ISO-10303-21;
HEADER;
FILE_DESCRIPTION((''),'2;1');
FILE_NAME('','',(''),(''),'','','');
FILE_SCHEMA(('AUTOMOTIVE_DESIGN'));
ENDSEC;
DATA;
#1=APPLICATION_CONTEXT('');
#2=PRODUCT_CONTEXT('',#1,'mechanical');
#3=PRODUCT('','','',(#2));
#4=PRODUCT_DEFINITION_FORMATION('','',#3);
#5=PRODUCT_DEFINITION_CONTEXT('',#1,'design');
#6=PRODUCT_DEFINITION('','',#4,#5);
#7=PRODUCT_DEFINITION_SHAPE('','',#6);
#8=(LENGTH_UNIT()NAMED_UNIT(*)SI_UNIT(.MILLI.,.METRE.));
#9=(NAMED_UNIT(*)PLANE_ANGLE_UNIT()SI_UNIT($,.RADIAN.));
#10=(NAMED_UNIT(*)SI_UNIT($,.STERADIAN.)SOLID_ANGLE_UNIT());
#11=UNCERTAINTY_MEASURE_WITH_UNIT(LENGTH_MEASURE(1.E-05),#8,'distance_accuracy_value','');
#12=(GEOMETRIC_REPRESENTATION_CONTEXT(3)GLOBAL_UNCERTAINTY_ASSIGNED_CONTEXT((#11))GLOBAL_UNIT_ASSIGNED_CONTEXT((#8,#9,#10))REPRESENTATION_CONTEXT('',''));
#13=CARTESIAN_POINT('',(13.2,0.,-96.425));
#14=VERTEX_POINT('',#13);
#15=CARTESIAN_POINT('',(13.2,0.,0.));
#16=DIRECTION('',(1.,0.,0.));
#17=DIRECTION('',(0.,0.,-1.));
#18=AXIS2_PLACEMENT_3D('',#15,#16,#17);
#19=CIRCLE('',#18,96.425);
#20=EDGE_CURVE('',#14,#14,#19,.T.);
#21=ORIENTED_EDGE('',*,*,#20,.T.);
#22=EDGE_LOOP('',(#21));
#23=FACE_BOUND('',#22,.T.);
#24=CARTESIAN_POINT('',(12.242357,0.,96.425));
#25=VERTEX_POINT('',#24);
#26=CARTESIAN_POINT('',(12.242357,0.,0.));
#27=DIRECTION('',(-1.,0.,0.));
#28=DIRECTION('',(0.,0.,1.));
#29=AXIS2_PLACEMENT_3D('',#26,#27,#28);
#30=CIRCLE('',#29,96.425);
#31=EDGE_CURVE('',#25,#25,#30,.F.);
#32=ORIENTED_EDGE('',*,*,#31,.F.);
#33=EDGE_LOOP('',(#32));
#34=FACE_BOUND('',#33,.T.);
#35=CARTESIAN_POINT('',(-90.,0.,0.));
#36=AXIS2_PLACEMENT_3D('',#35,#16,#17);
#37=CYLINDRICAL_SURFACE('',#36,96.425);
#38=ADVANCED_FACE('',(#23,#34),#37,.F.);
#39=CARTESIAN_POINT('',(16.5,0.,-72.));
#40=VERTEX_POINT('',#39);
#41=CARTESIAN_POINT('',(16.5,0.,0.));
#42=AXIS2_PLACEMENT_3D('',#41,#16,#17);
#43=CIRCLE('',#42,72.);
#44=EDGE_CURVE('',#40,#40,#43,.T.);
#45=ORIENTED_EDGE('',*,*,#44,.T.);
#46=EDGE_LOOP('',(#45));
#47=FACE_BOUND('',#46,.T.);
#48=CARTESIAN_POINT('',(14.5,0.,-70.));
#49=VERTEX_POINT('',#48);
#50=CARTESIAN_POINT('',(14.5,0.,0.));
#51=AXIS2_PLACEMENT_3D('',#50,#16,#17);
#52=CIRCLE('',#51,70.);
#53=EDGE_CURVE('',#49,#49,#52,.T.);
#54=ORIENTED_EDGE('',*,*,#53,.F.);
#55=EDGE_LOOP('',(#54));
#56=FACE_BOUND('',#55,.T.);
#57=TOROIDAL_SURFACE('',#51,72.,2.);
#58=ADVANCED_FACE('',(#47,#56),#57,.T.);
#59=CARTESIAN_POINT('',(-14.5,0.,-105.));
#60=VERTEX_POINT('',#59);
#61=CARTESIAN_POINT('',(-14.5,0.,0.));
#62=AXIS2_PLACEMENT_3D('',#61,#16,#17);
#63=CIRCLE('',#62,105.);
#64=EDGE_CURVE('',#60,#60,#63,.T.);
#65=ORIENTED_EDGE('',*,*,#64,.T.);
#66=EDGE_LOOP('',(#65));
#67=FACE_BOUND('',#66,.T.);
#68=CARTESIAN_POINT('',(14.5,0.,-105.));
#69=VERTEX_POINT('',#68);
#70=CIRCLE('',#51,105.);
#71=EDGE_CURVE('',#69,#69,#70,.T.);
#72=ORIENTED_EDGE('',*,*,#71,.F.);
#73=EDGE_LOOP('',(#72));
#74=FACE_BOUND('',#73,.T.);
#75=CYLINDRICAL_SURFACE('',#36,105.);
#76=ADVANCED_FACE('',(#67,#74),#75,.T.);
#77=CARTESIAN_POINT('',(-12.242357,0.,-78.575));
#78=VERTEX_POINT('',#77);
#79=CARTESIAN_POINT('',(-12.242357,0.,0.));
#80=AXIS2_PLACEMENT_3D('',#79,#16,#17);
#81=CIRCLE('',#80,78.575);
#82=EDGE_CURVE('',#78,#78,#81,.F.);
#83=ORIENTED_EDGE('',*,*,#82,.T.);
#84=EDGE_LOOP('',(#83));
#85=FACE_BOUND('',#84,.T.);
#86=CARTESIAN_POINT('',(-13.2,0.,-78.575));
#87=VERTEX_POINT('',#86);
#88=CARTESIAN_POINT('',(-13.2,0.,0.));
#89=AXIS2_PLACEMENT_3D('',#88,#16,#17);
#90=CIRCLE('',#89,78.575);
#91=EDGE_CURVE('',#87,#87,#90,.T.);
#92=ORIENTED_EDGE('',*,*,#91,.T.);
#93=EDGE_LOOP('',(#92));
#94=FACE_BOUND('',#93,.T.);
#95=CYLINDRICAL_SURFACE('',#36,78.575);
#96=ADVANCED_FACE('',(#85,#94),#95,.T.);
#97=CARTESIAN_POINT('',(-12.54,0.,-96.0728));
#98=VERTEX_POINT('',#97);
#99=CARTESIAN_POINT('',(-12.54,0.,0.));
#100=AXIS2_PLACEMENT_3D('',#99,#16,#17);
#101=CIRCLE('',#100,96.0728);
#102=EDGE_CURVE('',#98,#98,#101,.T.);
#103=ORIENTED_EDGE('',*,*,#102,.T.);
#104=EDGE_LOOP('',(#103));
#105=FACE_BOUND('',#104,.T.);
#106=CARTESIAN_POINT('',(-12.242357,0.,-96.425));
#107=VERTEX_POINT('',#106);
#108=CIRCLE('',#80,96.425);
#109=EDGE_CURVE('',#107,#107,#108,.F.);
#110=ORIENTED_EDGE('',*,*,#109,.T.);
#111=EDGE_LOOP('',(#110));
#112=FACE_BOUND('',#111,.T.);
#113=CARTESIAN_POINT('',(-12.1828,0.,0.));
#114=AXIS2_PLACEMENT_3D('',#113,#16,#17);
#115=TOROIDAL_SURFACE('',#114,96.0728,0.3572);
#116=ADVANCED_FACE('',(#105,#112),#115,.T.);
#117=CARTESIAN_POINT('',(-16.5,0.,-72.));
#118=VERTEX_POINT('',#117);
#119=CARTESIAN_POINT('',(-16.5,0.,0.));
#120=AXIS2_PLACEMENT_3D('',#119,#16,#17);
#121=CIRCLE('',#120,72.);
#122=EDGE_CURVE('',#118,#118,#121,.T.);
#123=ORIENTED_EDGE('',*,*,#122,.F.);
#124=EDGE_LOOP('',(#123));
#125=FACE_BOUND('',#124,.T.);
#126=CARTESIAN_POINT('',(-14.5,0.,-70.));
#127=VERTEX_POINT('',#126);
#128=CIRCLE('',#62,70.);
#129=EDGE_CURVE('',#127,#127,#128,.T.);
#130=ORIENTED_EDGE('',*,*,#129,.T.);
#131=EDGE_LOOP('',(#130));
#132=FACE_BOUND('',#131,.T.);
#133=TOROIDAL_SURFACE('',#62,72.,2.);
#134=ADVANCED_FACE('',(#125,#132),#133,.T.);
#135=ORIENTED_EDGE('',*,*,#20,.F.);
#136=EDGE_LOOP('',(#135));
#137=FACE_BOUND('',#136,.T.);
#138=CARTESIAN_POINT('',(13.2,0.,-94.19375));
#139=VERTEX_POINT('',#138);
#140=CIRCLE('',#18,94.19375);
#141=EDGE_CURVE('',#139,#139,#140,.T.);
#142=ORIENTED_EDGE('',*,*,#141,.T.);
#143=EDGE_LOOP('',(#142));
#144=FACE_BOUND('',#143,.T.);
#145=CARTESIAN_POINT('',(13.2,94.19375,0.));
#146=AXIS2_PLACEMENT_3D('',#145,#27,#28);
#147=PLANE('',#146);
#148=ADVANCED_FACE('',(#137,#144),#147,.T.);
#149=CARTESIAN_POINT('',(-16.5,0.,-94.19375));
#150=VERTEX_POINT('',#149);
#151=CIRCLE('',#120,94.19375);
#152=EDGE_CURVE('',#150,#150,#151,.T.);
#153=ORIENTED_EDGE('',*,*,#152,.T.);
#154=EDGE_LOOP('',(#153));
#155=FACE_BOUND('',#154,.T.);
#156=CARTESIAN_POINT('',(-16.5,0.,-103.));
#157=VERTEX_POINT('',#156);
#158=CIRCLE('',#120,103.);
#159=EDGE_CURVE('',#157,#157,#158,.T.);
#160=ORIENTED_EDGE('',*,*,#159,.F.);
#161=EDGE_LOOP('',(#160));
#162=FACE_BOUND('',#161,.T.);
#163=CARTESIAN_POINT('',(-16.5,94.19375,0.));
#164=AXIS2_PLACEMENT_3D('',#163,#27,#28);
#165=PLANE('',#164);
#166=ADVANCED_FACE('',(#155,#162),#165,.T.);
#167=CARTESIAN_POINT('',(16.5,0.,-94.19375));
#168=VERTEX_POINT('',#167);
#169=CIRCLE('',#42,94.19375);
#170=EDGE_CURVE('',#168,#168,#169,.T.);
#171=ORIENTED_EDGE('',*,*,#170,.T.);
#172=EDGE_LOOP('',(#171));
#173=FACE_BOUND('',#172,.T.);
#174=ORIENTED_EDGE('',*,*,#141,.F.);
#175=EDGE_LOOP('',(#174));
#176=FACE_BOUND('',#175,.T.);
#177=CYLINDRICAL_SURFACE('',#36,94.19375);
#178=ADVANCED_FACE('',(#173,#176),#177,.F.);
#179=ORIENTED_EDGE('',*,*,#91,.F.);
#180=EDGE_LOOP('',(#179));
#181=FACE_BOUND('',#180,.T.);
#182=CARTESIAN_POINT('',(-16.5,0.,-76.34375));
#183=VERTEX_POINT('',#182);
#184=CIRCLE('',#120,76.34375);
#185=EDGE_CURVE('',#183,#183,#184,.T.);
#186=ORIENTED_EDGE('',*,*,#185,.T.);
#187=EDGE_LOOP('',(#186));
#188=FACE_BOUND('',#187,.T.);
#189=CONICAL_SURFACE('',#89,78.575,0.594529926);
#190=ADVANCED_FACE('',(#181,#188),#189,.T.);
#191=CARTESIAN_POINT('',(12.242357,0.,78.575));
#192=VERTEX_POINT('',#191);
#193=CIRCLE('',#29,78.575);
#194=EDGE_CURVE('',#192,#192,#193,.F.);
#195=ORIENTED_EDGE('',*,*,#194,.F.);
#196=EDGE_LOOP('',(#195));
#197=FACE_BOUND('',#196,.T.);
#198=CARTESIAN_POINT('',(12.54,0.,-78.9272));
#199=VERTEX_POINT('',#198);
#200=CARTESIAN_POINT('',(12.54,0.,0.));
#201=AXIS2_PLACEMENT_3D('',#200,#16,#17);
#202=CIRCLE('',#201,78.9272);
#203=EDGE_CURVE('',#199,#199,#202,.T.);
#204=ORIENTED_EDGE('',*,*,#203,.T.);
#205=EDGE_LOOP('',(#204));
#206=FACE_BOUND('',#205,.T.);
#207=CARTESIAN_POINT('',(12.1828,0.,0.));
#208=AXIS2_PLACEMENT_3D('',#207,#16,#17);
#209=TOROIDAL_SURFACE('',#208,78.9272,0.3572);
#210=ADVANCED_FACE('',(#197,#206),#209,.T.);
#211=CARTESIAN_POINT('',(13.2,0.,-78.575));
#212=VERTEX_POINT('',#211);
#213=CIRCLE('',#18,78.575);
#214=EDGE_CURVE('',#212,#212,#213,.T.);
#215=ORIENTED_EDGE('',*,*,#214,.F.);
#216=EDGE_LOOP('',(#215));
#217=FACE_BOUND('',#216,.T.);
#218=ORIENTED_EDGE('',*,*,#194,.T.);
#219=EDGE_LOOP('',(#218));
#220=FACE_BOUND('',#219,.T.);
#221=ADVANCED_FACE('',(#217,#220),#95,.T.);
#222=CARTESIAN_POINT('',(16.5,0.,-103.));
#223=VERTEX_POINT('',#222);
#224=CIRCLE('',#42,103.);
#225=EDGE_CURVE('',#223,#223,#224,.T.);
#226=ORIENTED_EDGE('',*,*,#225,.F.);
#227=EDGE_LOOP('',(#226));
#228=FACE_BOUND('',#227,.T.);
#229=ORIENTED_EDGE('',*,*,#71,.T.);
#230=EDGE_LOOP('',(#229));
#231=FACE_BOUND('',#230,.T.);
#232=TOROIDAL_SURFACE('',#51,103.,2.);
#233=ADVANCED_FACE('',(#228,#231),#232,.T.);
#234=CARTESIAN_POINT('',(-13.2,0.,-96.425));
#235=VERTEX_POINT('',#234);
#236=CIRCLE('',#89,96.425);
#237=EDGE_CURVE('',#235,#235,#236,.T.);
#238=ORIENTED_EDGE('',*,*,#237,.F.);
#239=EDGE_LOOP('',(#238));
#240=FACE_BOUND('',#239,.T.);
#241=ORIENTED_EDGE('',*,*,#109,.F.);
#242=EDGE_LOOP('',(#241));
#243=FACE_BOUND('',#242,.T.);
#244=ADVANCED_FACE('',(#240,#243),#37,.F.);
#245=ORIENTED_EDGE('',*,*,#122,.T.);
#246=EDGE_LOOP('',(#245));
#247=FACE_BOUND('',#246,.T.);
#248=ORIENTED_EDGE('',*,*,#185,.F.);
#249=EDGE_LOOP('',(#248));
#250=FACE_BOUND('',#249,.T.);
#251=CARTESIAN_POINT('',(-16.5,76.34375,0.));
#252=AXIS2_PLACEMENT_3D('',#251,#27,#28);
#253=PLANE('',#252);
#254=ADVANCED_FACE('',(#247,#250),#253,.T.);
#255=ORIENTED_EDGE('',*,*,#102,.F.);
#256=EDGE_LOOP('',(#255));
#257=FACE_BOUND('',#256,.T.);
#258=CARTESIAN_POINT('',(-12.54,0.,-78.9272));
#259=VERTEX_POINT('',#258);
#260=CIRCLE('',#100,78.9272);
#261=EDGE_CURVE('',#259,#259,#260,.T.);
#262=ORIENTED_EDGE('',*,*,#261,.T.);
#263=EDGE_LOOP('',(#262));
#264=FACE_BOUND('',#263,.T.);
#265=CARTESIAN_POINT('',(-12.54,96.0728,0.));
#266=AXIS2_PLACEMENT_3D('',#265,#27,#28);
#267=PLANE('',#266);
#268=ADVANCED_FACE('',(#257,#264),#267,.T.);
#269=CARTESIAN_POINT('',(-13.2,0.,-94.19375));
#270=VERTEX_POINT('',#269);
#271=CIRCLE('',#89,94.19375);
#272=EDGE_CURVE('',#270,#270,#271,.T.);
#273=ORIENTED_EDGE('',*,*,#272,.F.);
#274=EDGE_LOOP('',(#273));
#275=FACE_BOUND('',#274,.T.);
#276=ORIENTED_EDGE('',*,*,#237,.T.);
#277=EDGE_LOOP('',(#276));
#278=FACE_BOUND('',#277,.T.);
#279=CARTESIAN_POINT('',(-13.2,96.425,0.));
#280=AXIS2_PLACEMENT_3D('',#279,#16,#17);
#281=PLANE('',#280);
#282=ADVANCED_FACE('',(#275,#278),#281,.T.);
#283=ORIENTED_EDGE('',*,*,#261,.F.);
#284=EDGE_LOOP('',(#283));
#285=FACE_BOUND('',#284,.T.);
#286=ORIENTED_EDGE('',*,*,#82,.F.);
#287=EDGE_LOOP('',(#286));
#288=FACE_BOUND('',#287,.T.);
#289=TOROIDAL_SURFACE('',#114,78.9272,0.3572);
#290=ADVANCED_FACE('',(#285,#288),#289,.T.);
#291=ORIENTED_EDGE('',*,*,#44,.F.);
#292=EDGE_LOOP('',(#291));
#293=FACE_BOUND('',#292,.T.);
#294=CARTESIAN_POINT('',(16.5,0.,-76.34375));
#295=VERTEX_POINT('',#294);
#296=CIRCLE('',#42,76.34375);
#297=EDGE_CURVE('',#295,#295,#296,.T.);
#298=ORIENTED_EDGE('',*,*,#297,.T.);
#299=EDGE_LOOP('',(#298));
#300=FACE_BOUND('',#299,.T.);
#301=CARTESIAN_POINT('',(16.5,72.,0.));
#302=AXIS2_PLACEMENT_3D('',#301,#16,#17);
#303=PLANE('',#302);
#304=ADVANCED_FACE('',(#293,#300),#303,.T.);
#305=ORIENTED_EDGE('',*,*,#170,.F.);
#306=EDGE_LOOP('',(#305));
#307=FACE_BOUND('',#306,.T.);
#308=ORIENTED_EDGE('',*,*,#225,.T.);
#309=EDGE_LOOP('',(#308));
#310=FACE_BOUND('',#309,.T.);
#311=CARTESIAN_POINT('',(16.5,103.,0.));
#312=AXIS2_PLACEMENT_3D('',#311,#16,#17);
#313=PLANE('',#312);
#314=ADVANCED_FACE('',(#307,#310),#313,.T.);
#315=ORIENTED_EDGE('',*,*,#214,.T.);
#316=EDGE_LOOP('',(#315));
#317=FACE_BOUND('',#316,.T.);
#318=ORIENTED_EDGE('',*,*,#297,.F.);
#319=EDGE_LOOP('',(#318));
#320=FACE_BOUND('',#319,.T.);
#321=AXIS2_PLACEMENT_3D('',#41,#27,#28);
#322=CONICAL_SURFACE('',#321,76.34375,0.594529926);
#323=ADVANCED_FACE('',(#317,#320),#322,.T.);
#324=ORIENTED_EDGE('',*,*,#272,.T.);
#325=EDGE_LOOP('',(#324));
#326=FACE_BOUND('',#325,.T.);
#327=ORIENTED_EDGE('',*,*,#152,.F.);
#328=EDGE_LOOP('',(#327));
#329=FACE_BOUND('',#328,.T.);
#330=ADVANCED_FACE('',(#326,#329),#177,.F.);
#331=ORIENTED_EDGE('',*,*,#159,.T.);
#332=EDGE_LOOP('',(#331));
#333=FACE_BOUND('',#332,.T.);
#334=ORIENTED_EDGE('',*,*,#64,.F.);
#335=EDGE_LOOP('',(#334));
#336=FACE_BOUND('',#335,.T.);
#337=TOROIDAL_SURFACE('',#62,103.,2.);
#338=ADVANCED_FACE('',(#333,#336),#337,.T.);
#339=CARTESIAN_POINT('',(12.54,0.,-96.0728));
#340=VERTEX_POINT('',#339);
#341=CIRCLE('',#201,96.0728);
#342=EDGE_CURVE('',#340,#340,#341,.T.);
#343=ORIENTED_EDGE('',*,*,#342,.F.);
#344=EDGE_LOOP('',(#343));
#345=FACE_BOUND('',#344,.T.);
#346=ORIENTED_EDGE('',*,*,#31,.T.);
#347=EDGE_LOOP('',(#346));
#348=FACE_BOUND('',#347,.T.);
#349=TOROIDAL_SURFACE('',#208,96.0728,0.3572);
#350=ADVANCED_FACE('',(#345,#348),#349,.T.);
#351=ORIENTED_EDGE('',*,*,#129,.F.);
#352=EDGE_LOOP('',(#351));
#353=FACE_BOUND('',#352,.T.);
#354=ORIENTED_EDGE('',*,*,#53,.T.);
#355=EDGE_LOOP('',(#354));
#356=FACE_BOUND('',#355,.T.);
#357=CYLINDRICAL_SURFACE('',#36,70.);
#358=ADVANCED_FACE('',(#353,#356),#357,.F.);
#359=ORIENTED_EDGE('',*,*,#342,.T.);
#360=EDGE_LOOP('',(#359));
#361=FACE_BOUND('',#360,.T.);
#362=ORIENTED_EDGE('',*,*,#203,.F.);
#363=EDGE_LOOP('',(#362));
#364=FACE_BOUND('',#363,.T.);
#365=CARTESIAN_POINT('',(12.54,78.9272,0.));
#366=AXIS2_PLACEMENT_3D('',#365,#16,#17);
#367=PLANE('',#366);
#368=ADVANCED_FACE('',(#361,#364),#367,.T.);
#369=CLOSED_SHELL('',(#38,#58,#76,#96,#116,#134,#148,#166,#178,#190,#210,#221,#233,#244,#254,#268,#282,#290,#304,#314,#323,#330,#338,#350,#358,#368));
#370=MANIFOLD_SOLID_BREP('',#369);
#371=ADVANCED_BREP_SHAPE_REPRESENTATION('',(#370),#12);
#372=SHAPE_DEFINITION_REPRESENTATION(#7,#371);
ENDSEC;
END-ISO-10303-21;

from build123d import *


with BuildPart() as part:
    # OutRacSke → OuterRace (revolve)
    with BuildSketch(Plane.XY):
        with BuildLine():
            Line((-13.2, 94.19375), (-16.5, 94.19375))
            Line((-16.5, 94.19375), (-16.5, 103))
            ThreePointArc((-16.5, 103), (-15.914213562, 104.414213562), (-14.5, 105))
            Line((-14.5, 105), (14.5, 105))
            ThreePointArc((14.5, 105), (15.914213562, 104.414213562), (16.5, 103))
            Line((16.5, 103), (16.5, 94.19375))
            Line((16.5, 94.19375), (13.2, 94.19375))
            Line((13.2, 94.19375), (13.2, 96.425))
            Line((13.2, 96.425), (-13.2, 96.425))
            Line((-13.2, 96.425), (-13.2, 94.19375))
        make_face()
    revolve(axis=Axis((-90, 0, 0), (1, 0, 0)))

    # RolSimSke → RollersSimplified (revolve)
    with BuildSketch(Plane(origin=(0, 101.6, 0), x_dir=(1, 0, 0), z_dir=(0, 0, 1))):
        with BuildLine():
            Line((-12.54, -5.5272), (-12.54, -22.6728))
            ThreePointArc((-12.54, -22.6728), (-12.435378542, -22.925378542), (-12.1828, -23.03))
            Line((-12.1828, -23.03), (12.1828, -23.03))
            ThreePointArc((12.1828, -23.03), (12.435378542, -22.925378542), (12.54, -22.6728))
            Line((12.54, -22.6728), (12.54, -5.5272))
            ThreePointArc((12.54, -5.5272), (12.435378542, -5.274621458), (12.1828, -5.17))
            Line((12.1828, -5.17), (-12.1828, -5.17))
            ThreePointArc((-12.1828, -5.17), (-12.435378542, -5.274621458), (-12.54, -5.5272))
        make_face()
    revolve(axis=Axis((25.4, 0, 0), (-1, 0, 0)))

    # InsRacSke → InnerRace (revolve)
    with BuildSketch(Plane.XY):
        with BuildLine():
            Line((-13.2, 78.575), (-16.5, 76.34375))
            Line((-16.5, 76.34375), (-16.5, 72))
            ThreePointArc((-16.5, 72), (-15.914213562, 70.585786438), (-14.5, 70))
            Line((-14.5, 70), (14.5, 70))
            ThreePointArc((14.5, 70), (15.914213562, 70.585786438), (16.5, 72))
            Line((16.5, 72), (16.5, 76.34375))
            Line((16.5, 76.34375), (13.2, 78.575))
            Line((13.2, 78.575), (-13.2, 78.575))
        make_face()
    revolve(axis=Axis((-90, 0, 0), (1, 0, 0)))


solid = part.part
